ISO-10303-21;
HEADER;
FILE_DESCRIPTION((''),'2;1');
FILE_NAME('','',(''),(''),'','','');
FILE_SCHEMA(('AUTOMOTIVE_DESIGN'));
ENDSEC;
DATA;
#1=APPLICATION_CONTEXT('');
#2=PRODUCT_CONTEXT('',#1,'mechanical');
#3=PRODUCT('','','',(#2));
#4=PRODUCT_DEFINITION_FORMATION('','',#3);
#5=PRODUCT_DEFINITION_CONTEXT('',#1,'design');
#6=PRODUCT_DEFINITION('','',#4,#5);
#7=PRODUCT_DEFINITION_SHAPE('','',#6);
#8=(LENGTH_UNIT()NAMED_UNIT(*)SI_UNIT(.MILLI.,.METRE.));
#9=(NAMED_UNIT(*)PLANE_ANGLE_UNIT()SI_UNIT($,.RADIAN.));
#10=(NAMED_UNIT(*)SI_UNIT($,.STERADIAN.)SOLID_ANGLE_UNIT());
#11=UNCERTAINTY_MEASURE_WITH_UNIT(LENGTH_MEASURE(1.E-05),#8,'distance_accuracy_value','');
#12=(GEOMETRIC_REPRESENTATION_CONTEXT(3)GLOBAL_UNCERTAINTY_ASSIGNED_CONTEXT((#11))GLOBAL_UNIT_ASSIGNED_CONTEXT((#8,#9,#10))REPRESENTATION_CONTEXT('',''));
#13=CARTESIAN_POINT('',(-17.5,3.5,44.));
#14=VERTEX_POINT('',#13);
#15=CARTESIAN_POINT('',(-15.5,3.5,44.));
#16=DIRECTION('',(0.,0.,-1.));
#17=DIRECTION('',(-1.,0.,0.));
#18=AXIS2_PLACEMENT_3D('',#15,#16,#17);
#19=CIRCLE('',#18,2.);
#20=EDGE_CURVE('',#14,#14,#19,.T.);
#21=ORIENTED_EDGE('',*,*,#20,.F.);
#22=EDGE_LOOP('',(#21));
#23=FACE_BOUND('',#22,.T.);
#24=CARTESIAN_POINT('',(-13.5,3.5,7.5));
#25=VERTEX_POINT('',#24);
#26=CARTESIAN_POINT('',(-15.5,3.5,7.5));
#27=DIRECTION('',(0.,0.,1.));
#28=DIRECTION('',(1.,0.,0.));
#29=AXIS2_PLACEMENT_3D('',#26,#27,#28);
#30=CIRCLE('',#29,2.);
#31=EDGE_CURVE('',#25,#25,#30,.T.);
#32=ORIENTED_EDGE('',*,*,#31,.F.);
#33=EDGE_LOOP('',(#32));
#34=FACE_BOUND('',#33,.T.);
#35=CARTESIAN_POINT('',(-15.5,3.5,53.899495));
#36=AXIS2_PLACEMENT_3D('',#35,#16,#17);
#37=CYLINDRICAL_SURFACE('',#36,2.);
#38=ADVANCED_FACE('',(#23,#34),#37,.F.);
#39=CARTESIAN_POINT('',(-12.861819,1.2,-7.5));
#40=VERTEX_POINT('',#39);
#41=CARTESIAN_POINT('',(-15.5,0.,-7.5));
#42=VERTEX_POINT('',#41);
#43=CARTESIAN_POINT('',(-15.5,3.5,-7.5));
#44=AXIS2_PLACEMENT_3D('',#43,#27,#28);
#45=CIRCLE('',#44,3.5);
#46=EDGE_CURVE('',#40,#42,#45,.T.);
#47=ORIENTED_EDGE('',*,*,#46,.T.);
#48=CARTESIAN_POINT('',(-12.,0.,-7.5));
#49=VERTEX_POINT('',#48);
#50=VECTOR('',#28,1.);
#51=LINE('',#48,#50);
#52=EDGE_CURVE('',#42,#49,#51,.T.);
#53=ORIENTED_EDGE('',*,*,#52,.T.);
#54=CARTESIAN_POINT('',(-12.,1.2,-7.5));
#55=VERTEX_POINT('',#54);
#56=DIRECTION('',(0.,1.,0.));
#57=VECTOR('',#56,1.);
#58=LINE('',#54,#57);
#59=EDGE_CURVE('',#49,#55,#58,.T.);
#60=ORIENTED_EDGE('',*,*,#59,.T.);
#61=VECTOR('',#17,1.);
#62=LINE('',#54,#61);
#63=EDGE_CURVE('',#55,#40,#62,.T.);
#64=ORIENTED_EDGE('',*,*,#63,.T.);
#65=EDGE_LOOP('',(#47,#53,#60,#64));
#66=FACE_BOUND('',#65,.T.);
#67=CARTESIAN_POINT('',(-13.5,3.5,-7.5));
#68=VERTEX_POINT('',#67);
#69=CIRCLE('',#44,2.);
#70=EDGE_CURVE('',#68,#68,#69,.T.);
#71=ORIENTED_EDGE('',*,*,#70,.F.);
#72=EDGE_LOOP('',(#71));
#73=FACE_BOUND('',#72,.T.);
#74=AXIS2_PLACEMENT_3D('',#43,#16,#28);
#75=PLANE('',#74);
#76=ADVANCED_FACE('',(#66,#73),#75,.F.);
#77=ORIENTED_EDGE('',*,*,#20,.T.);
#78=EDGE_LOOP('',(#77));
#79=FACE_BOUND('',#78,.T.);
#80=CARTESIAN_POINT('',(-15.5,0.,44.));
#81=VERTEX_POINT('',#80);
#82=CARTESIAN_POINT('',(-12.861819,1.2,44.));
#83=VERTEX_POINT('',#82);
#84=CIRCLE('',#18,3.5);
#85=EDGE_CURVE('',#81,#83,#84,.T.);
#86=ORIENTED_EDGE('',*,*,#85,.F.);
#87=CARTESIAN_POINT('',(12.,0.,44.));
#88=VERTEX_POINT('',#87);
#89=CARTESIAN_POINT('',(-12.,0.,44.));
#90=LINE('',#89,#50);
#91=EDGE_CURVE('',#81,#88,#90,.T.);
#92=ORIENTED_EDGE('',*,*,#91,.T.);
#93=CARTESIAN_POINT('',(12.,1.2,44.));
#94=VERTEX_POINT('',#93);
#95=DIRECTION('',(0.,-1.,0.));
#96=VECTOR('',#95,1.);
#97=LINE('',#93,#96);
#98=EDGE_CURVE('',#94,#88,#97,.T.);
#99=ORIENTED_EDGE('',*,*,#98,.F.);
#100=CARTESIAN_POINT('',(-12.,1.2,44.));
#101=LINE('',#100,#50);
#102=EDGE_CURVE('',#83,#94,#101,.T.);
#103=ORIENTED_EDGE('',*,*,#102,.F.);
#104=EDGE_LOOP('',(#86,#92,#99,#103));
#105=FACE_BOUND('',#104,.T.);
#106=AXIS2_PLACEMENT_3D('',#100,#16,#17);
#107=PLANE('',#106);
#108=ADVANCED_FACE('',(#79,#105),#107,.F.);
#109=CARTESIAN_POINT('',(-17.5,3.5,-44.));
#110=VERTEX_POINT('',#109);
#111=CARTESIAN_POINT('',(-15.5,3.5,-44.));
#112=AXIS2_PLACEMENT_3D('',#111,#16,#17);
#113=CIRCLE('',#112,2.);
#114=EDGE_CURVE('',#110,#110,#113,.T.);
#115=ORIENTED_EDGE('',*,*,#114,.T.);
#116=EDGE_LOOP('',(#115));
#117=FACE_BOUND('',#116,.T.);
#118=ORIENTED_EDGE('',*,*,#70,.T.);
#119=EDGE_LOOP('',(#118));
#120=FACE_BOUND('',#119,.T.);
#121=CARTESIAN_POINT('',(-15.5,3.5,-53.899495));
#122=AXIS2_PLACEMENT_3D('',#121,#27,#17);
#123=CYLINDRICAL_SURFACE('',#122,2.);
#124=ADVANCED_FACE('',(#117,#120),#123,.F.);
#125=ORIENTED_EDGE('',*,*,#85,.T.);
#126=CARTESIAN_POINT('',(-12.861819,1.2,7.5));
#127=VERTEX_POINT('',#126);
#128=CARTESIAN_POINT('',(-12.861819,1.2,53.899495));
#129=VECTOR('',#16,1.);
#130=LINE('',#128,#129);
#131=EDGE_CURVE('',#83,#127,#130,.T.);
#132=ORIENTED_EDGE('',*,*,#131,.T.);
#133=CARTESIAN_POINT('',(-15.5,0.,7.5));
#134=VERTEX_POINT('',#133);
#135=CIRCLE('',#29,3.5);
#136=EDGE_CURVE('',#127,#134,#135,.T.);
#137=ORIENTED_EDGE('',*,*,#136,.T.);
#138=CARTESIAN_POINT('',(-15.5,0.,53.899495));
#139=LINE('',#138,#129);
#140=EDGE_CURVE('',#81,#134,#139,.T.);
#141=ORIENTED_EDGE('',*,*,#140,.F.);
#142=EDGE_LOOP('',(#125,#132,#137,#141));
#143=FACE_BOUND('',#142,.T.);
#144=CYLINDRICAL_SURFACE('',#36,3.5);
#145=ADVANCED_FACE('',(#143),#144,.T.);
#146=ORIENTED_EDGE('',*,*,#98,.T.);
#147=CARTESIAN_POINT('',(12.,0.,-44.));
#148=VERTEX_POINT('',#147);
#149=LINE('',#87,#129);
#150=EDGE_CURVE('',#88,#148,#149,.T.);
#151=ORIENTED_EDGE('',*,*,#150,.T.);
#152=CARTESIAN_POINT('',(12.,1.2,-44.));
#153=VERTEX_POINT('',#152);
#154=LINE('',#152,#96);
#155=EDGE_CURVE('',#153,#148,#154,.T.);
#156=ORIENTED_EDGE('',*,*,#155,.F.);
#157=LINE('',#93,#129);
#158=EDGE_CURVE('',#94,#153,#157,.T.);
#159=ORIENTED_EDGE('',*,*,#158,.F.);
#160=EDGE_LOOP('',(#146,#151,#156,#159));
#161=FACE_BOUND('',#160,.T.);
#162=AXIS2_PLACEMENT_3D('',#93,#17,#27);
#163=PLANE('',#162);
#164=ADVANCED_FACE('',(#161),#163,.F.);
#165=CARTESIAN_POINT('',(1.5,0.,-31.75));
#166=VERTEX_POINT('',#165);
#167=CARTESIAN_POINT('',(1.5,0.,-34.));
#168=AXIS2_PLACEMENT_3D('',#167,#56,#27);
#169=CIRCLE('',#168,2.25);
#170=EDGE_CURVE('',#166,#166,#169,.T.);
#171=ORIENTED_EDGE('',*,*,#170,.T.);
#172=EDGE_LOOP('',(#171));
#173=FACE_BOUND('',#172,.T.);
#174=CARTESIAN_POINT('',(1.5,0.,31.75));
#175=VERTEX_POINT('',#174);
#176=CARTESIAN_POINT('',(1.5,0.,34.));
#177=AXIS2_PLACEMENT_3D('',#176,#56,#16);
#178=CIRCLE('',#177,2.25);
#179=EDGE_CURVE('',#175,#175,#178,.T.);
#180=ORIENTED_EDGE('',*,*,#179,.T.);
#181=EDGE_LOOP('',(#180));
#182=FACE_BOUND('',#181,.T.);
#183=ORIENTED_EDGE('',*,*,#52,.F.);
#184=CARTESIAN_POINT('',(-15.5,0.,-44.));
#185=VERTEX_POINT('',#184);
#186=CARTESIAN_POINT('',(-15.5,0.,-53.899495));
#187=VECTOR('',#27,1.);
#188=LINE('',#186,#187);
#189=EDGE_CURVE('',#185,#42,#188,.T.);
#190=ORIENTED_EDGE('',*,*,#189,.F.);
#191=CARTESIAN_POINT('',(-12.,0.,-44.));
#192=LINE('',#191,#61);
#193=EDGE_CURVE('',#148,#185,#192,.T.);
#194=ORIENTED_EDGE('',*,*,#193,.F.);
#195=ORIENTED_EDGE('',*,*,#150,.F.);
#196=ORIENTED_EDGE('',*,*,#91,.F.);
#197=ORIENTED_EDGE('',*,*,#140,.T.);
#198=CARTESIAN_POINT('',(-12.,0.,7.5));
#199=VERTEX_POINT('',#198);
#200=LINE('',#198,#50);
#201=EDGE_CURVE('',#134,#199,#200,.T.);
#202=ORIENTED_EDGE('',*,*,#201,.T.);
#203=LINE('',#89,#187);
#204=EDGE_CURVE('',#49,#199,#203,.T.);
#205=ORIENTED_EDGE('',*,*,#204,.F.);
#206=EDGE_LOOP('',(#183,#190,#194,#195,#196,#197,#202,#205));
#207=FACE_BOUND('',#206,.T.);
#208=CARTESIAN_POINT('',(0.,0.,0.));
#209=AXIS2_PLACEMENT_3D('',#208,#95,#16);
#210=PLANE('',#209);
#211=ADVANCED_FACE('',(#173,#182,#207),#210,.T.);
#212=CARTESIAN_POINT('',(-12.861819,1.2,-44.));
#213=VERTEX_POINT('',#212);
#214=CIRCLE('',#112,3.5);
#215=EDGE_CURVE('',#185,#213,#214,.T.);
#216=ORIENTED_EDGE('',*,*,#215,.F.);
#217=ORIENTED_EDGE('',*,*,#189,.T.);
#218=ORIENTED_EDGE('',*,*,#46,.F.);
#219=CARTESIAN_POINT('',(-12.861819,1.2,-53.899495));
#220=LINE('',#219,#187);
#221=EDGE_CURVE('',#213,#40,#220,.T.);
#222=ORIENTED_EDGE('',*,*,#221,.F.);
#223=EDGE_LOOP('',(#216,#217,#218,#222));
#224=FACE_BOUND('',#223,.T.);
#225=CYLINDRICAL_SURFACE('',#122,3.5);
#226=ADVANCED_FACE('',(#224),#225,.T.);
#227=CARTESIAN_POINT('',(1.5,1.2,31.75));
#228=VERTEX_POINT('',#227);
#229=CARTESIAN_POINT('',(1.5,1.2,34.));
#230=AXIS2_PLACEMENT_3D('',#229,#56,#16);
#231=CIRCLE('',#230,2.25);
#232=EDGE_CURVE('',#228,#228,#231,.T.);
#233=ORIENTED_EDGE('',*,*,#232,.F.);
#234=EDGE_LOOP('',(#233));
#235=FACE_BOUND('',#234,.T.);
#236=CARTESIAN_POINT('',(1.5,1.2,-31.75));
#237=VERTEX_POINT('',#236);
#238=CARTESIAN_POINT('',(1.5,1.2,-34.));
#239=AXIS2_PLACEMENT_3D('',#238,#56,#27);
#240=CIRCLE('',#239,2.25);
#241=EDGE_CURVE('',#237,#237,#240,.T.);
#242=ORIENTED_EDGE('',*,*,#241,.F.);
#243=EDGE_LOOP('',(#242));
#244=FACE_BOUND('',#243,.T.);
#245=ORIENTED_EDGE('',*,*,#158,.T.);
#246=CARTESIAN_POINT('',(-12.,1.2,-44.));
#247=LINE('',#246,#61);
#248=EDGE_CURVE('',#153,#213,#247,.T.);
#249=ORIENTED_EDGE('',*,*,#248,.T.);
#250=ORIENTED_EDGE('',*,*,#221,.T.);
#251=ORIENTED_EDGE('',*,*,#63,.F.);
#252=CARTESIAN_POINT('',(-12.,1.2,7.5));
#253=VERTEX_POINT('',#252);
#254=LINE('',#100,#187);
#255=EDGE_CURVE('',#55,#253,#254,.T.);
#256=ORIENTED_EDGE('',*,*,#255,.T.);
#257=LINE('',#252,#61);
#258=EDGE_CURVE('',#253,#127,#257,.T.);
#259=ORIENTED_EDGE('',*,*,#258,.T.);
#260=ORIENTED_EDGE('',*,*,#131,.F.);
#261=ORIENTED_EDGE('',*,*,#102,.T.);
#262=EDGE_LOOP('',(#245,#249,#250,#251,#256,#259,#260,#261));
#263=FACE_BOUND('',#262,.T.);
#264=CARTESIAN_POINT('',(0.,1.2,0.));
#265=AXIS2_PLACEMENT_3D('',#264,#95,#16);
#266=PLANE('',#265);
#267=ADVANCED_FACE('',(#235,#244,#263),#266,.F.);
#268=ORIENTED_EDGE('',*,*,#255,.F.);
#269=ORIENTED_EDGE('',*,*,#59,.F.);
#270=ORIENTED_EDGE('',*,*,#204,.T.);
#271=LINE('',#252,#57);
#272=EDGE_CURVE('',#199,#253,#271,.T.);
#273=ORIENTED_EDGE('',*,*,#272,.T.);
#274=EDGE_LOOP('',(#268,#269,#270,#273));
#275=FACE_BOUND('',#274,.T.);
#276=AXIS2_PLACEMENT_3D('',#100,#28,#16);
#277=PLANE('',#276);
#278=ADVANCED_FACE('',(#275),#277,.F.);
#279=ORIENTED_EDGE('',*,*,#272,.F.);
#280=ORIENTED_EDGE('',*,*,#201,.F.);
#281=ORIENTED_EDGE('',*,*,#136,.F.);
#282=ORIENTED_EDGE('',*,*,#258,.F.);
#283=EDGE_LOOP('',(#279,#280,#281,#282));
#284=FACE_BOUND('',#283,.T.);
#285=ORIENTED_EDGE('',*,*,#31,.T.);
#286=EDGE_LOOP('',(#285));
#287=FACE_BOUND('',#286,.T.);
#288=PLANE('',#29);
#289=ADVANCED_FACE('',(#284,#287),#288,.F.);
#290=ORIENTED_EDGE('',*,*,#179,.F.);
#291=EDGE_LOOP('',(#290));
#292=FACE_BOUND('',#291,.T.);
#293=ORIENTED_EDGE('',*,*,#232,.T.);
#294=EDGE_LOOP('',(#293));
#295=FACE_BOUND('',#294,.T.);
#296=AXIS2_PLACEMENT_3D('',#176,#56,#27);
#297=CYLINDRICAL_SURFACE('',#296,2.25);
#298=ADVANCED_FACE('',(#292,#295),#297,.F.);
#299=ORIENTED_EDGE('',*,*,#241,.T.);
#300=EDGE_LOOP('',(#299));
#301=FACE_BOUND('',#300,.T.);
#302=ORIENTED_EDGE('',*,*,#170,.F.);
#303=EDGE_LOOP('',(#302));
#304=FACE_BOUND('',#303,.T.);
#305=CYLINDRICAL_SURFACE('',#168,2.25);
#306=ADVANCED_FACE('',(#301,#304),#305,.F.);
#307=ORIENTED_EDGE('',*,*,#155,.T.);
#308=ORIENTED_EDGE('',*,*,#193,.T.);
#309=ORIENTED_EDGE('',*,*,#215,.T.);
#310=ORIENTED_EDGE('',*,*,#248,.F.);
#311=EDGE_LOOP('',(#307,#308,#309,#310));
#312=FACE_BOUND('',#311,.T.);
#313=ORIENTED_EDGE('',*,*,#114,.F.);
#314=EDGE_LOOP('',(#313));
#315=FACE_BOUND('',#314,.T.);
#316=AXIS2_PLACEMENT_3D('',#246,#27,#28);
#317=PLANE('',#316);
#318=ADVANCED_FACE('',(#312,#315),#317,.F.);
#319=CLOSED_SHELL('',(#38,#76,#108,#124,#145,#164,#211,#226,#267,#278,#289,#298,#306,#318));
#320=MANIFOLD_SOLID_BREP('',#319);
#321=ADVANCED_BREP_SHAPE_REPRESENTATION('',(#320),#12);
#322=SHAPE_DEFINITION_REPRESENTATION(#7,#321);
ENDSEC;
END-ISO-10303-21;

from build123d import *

# Parameters (mm, degrees)
SKETCH1_W           = 24
SKETCH1_H           = 88
BOSS_EXTRUDE1_DEPTH = 1.2
BOSS_EXTRUDE2_START = 7.5
SKETCH2_R           = 2
BOSS_EXTRUDE2_DEPTH = 36.5
SKETCH4_R           = 2.25
CUT_EXTRUDE2_DEPTH  = 49.276702456


with BuildPart() as part:
    # Sketch1 → Boss-Extrude1 (new body)
    with BuildSketch(Plane(origin=(0, 0, 0), x_dir=(1, 0, 0), z_dir=(0, 1, 0))):
        Rectangle(SKETCH1_W, SKETCH1_H)
    extrude(amount=BOSS_EXTRUDE1_DEPTH)

    # Sketch2 → Boss-Extrude2 (add)
    with BuildSketch(Plane.XY.offset(BOSS_EXTRUDE2_START)):
        with BuildLine():
            Line((-12, 0), (-15.5, 0))
            ThreePointArc((-15.5, 0), (-16.949137675, 6.685906464), (-12.861818808, 1.2))
            Line((-12.861818808, 1.2), (-12, 1.2))
            Line((-12, 1.2), (-12, 0))
        make_face()
        with Locations(Location((-15.5, 3.5, 0), (0, 0, 180))):
            Circle(SKETCH2_R, mode=Mode.SUBTRACT)
    extrude(amount=BOSS_EXTRUDE2_DEPTH)

    # Mirror4: part across plane


with BuildPart() as part_1:
    add(part.part)
    add(part.part.mirror(Plane.XY))

    # Sketch4 → Cut-Extrude2 (cut, through all)
    with BuildSketch(Plane(origin=(0, 1.2, 0), x_dir=(1, 0, 0), z_dir=(0, 1, 0))):
        with Locations(Location((1.5, 34, 0), (0, 0, 270))):
            Circle(SKETCH4_R)
        with Locations(Location((1.5, -34, 0), (0, 0, 90))):
            Circle(SKETCH4_R)
    extrude(amount=-CUT_EXTRUDE2_DEPTH, mode=Mode.SUBTRACT)


solid = part_1.part
